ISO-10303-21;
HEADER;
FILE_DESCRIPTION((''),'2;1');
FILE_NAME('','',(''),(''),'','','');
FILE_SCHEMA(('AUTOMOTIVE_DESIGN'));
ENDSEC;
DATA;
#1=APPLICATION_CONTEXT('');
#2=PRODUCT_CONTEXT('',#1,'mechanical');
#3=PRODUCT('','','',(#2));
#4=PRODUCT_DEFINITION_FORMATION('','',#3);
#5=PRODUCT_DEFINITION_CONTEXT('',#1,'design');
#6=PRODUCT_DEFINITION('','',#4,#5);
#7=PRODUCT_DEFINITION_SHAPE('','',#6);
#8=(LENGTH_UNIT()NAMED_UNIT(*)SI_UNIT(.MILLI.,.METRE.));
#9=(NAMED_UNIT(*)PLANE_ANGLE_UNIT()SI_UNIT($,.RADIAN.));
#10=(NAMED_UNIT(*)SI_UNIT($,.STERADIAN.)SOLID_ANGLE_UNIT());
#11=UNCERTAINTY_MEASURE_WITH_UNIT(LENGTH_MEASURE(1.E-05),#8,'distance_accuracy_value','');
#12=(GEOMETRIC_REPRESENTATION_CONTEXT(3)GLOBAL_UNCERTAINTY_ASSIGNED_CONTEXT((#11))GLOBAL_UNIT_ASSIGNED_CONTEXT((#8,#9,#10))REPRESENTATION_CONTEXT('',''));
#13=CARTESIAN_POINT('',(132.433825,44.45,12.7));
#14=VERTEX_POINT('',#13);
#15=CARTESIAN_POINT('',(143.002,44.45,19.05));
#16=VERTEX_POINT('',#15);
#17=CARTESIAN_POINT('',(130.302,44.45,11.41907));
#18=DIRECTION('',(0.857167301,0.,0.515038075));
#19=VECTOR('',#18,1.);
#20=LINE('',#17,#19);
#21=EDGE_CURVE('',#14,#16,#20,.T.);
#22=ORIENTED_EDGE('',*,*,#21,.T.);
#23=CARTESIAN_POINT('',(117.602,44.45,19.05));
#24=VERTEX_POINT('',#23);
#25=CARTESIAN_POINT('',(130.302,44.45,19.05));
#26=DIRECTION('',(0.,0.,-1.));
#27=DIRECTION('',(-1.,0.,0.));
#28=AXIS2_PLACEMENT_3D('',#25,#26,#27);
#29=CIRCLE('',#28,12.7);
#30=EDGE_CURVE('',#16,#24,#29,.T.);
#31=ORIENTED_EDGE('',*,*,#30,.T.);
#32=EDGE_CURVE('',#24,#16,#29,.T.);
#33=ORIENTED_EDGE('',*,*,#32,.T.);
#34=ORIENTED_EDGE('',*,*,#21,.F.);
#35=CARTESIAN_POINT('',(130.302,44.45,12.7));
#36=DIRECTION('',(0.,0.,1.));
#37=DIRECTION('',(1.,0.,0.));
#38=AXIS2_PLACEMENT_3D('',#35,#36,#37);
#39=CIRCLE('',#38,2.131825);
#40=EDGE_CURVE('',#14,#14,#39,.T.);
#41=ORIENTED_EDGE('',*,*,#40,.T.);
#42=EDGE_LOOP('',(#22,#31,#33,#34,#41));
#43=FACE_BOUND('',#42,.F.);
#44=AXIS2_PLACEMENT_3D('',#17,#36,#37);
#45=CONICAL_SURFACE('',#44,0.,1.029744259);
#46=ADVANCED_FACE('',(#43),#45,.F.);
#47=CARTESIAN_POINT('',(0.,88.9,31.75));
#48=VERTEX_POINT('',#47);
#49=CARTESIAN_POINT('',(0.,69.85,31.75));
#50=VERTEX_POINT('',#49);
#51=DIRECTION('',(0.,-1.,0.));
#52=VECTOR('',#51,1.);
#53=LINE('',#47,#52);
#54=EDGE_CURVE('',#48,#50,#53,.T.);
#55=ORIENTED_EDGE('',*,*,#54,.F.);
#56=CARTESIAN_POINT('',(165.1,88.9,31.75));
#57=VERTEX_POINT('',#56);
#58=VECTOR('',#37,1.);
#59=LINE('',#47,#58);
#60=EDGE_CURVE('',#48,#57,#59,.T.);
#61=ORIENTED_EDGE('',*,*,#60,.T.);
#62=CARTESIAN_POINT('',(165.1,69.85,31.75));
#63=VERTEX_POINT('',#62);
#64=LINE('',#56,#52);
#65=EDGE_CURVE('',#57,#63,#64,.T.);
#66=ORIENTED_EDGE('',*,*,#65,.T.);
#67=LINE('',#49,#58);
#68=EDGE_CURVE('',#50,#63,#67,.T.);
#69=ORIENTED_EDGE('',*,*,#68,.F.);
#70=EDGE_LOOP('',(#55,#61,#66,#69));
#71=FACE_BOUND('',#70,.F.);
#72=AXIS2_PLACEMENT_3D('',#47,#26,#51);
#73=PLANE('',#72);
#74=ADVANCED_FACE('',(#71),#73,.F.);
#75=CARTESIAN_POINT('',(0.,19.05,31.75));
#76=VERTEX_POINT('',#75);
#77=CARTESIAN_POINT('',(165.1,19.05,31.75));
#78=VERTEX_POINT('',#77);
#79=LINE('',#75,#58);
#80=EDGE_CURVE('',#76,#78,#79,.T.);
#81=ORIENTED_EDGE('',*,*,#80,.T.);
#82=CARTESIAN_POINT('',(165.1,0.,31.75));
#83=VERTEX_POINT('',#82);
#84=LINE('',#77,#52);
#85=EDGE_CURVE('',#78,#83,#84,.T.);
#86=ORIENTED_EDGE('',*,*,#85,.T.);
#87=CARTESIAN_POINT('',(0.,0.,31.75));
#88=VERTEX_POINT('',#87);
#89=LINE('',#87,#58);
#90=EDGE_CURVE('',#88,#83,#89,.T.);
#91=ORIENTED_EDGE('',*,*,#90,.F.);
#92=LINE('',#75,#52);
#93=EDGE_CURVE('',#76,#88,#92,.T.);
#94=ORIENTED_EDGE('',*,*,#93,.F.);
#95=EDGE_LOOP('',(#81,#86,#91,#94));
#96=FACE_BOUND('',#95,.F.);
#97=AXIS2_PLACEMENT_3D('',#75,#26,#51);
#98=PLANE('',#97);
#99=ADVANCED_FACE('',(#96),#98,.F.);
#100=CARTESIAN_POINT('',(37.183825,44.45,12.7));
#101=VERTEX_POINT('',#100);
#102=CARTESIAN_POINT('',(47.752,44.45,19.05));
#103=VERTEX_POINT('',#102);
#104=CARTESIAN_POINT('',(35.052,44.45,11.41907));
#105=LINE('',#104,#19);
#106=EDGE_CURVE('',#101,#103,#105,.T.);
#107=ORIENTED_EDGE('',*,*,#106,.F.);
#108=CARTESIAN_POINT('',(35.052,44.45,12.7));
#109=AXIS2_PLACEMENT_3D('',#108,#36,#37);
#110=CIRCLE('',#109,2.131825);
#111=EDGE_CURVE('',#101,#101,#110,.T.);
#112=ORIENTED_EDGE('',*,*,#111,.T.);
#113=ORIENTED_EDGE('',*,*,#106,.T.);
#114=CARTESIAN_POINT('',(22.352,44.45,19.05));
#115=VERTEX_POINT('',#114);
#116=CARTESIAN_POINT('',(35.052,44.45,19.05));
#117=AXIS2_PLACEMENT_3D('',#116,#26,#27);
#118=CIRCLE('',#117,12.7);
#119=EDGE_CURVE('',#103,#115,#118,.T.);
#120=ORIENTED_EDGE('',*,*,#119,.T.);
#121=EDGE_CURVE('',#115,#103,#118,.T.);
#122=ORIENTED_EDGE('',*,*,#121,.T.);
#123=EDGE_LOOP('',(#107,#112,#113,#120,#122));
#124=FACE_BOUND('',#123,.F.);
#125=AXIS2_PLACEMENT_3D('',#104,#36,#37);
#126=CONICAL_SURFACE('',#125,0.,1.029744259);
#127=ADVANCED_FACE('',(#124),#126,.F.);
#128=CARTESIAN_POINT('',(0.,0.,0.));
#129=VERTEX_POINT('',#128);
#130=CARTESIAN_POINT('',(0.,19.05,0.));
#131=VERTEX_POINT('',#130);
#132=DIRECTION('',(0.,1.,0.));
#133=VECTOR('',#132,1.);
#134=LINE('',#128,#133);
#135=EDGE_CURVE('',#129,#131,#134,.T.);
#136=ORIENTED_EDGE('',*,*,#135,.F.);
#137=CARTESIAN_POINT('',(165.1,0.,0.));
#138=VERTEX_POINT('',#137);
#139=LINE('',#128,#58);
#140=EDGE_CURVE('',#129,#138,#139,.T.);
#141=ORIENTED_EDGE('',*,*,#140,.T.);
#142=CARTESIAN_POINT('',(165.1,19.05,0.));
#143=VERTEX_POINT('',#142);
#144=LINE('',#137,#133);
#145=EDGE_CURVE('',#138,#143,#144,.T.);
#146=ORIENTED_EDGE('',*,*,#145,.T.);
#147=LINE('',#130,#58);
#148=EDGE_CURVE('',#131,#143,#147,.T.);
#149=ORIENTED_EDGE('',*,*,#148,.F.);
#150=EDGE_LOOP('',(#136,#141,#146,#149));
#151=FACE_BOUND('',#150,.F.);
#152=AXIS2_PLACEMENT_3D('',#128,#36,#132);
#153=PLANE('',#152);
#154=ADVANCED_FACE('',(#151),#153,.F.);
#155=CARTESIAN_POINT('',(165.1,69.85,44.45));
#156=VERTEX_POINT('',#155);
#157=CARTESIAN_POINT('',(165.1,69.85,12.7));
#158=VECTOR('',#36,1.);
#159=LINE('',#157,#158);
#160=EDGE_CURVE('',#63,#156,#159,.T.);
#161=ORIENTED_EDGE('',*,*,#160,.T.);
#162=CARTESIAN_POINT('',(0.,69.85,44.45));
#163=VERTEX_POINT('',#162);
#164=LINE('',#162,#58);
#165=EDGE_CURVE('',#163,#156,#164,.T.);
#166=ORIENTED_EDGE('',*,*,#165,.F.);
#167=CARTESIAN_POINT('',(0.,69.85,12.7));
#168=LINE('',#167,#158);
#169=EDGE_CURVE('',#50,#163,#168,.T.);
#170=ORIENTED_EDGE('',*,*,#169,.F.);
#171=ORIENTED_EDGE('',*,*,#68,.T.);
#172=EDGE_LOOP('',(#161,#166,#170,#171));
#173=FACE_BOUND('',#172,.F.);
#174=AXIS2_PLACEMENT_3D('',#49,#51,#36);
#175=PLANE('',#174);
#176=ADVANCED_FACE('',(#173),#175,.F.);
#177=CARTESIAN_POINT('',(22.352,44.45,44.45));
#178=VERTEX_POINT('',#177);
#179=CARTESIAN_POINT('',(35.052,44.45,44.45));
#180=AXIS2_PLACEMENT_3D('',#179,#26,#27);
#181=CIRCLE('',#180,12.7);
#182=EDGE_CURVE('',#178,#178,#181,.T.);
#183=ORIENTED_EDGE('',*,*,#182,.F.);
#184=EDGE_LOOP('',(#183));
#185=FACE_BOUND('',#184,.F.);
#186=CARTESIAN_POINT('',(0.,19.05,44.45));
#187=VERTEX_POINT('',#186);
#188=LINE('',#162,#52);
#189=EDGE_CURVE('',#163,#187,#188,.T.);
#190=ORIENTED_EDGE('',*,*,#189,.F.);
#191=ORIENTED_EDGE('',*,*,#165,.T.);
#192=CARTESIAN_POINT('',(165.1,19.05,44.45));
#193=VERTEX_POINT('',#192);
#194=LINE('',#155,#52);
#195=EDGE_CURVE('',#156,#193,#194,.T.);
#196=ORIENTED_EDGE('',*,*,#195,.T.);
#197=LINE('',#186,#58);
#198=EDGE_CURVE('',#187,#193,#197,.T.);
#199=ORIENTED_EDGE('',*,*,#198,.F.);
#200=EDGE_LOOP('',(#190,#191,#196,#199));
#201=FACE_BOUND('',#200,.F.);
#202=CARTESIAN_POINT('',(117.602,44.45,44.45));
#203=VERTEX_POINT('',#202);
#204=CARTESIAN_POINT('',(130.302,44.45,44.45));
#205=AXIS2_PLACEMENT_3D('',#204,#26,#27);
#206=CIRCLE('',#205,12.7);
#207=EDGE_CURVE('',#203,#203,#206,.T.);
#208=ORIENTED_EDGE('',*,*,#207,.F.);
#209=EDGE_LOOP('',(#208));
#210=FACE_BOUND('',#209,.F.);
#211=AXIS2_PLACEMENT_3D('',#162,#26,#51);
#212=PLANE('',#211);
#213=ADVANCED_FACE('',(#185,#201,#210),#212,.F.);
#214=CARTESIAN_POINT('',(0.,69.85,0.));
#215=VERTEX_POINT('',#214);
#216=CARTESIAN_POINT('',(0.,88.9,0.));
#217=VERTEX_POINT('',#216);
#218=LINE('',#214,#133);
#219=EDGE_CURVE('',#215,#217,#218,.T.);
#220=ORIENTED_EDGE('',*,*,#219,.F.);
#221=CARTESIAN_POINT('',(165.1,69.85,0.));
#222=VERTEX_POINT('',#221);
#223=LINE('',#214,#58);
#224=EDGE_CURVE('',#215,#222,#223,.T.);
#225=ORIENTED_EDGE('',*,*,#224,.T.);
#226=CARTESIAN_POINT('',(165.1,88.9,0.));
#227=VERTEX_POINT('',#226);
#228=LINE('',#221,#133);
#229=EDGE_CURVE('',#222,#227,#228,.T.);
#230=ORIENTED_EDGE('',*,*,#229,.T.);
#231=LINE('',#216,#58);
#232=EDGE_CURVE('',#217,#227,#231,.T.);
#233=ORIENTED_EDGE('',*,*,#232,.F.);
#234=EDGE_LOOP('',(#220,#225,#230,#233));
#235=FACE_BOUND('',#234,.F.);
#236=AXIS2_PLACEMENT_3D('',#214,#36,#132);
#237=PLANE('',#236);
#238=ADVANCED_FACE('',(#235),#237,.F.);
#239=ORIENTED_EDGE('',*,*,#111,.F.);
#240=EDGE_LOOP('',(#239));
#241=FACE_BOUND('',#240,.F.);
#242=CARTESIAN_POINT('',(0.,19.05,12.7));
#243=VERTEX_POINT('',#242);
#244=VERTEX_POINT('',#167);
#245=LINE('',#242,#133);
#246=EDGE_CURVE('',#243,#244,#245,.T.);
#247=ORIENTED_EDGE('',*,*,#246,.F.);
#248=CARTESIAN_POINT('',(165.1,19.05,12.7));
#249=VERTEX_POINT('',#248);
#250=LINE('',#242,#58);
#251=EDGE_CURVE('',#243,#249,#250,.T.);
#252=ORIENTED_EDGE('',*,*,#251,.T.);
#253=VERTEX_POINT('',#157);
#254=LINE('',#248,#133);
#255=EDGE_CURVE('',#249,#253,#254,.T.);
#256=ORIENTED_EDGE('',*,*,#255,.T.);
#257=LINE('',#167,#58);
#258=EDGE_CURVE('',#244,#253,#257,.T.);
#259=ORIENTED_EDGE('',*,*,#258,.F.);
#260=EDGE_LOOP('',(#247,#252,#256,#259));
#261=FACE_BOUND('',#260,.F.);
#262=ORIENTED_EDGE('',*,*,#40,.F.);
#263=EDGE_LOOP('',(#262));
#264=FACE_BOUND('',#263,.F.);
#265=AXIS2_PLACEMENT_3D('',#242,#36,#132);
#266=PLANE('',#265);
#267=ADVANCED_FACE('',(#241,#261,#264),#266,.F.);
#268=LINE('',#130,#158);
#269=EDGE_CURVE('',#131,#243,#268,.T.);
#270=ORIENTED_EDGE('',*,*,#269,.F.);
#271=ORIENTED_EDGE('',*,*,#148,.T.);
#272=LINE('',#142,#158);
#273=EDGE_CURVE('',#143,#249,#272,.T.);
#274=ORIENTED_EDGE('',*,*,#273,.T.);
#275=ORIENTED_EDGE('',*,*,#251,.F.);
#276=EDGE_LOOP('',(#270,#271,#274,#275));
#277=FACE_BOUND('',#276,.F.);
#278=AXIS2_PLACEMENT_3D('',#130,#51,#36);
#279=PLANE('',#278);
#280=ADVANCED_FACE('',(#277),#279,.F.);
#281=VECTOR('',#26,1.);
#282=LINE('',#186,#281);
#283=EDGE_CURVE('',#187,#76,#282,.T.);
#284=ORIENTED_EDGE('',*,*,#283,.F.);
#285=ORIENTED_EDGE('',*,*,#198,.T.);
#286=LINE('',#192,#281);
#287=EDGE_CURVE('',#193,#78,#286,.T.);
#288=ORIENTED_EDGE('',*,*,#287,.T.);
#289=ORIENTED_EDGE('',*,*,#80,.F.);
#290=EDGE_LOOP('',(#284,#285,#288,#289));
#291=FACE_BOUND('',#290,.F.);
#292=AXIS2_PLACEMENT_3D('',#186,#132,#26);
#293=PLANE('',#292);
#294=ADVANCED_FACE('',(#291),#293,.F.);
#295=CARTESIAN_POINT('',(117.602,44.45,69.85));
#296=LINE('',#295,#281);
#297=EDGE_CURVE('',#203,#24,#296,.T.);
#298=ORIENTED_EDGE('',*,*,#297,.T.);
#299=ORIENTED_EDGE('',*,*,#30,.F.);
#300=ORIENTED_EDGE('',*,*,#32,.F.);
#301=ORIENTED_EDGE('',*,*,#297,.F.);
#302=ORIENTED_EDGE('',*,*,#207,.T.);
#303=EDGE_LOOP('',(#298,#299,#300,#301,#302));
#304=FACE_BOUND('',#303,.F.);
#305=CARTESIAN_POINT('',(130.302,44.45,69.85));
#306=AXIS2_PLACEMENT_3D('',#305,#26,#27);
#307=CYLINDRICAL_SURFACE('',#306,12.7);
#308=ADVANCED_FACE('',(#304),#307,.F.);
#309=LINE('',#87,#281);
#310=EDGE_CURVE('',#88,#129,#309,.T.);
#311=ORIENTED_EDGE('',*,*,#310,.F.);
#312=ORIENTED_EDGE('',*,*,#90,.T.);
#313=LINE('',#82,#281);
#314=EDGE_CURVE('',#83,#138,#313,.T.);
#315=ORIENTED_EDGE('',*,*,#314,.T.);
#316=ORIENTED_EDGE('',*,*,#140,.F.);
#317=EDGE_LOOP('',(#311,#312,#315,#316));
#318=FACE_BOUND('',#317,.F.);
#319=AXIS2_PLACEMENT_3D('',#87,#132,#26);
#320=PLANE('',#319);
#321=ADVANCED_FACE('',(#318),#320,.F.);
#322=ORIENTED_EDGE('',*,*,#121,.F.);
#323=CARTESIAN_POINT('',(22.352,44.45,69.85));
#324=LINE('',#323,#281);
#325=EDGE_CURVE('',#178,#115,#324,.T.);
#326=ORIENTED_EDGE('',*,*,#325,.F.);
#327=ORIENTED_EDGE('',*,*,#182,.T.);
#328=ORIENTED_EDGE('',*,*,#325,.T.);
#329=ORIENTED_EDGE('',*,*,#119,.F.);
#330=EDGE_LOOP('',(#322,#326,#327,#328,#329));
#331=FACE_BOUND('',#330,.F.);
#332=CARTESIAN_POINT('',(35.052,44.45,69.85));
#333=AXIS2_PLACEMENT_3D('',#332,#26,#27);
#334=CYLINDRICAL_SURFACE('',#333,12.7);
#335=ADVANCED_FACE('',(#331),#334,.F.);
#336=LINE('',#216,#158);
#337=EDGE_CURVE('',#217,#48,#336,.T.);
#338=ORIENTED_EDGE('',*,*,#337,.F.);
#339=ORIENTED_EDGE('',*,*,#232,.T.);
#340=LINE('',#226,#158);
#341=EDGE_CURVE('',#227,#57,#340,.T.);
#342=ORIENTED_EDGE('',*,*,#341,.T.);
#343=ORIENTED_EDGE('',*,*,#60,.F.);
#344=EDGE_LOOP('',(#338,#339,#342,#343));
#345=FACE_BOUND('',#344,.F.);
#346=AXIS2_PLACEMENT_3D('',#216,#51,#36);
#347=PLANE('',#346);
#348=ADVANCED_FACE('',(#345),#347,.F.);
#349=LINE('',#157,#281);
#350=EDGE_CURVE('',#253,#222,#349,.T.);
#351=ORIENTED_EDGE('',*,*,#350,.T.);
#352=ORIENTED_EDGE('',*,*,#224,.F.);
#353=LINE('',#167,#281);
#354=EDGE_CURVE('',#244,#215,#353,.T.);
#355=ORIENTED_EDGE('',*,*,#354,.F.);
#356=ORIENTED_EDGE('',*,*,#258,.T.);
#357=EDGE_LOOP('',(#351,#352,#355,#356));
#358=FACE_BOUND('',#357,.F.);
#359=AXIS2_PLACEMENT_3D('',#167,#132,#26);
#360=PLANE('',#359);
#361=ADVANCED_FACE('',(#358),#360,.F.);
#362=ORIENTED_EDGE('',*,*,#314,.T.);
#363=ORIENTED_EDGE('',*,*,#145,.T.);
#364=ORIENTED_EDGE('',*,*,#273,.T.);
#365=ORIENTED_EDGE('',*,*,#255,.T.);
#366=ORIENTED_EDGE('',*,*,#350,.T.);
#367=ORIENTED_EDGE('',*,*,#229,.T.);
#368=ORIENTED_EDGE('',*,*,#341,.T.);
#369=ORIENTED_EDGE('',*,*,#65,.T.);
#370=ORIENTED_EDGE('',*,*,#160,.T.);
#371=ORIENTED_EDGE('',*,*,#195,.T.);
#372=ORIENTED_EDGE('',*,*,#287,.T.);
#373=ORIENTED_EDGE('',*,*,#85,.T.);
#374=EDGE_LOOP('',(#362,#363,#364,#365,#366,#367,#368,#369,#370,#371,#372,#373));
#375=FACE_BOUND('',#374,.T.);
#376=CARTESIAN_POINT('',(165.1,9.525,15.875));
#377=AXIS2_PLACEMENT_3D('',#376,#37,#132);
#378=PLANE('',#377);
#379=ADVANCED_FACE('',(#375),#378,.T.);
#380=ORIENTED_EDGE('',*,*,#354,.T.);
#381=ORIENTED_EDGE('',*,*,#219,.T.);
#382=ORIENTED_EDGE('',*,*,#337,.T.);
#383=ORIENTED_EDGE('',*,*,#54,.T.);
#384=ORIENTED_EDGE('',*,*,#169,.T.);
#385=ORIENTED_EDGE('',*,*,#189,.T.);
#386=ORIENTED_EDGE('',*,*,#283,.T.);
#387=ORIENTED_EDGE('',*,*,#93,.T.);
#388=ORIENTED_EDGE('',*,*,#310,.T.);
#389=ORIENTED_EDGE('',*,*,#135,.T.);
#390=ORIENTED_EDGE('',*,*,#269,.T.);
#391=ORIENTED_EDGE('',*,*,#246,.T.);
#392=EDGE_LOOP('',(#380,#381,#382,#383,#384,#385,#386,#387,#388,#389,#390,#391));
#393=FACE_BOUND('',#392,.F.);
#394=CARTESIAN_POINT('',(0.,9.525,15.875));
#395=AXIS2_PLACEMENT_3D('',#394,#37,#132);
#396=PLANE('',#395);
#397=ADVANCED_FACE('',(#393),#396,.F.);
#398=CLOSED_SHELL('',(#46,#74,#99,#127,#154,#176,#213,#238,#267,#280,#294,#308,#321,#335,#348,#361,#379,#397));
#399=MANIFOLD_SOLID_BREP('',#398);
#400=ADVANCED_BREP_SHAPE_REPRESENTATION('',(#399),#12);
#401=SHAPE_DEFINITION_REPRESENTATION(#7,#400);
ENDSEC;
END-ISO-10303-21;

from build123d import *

# Parameters (mm, degrees)
F1_DEPTH = 165.1
F3_D     = 25.4
F3_DEPTH = 25.4
F3_TIP   = 7.6309298617


with BuildPart() as f1:
    # F0 (on Right) → F1 (new body)
    with BuildSketch(Plane.YZ):
        Polygon((0, 31.75), (0, 0), (19.05, 0), (19.05, 12.7), (19.05, 31.75), align=None)
        Polygon((19.05, 31.75), (19.05, 12.7), (69.85, 12.7), (69.85, 31.75), (69.85, 44.45), (19.05, 44.45), align=None)
        Polygon((69.85, 12.7), (69.85, 0), (88.9, 0), (88.9, 31.75), (69.85, 31.75), align=None)
    extrude(amount=F1_DEPTH)

    # F3
    with Locations(Plane.XY.offset(44.45)):
        with Locations((130.302, 44.45), (35.052, 44.45)):
            Hole(F3_D / 2, depth=F3_DEPTH)
            with Locations((0, 0, -(F3_DEPTH + F3_TIP / 2))):  # 118° drill point
                Cone(0, F3_D / 2, F3_TIP, mode=Mode.SUBTRACT)


solid = f1.part
